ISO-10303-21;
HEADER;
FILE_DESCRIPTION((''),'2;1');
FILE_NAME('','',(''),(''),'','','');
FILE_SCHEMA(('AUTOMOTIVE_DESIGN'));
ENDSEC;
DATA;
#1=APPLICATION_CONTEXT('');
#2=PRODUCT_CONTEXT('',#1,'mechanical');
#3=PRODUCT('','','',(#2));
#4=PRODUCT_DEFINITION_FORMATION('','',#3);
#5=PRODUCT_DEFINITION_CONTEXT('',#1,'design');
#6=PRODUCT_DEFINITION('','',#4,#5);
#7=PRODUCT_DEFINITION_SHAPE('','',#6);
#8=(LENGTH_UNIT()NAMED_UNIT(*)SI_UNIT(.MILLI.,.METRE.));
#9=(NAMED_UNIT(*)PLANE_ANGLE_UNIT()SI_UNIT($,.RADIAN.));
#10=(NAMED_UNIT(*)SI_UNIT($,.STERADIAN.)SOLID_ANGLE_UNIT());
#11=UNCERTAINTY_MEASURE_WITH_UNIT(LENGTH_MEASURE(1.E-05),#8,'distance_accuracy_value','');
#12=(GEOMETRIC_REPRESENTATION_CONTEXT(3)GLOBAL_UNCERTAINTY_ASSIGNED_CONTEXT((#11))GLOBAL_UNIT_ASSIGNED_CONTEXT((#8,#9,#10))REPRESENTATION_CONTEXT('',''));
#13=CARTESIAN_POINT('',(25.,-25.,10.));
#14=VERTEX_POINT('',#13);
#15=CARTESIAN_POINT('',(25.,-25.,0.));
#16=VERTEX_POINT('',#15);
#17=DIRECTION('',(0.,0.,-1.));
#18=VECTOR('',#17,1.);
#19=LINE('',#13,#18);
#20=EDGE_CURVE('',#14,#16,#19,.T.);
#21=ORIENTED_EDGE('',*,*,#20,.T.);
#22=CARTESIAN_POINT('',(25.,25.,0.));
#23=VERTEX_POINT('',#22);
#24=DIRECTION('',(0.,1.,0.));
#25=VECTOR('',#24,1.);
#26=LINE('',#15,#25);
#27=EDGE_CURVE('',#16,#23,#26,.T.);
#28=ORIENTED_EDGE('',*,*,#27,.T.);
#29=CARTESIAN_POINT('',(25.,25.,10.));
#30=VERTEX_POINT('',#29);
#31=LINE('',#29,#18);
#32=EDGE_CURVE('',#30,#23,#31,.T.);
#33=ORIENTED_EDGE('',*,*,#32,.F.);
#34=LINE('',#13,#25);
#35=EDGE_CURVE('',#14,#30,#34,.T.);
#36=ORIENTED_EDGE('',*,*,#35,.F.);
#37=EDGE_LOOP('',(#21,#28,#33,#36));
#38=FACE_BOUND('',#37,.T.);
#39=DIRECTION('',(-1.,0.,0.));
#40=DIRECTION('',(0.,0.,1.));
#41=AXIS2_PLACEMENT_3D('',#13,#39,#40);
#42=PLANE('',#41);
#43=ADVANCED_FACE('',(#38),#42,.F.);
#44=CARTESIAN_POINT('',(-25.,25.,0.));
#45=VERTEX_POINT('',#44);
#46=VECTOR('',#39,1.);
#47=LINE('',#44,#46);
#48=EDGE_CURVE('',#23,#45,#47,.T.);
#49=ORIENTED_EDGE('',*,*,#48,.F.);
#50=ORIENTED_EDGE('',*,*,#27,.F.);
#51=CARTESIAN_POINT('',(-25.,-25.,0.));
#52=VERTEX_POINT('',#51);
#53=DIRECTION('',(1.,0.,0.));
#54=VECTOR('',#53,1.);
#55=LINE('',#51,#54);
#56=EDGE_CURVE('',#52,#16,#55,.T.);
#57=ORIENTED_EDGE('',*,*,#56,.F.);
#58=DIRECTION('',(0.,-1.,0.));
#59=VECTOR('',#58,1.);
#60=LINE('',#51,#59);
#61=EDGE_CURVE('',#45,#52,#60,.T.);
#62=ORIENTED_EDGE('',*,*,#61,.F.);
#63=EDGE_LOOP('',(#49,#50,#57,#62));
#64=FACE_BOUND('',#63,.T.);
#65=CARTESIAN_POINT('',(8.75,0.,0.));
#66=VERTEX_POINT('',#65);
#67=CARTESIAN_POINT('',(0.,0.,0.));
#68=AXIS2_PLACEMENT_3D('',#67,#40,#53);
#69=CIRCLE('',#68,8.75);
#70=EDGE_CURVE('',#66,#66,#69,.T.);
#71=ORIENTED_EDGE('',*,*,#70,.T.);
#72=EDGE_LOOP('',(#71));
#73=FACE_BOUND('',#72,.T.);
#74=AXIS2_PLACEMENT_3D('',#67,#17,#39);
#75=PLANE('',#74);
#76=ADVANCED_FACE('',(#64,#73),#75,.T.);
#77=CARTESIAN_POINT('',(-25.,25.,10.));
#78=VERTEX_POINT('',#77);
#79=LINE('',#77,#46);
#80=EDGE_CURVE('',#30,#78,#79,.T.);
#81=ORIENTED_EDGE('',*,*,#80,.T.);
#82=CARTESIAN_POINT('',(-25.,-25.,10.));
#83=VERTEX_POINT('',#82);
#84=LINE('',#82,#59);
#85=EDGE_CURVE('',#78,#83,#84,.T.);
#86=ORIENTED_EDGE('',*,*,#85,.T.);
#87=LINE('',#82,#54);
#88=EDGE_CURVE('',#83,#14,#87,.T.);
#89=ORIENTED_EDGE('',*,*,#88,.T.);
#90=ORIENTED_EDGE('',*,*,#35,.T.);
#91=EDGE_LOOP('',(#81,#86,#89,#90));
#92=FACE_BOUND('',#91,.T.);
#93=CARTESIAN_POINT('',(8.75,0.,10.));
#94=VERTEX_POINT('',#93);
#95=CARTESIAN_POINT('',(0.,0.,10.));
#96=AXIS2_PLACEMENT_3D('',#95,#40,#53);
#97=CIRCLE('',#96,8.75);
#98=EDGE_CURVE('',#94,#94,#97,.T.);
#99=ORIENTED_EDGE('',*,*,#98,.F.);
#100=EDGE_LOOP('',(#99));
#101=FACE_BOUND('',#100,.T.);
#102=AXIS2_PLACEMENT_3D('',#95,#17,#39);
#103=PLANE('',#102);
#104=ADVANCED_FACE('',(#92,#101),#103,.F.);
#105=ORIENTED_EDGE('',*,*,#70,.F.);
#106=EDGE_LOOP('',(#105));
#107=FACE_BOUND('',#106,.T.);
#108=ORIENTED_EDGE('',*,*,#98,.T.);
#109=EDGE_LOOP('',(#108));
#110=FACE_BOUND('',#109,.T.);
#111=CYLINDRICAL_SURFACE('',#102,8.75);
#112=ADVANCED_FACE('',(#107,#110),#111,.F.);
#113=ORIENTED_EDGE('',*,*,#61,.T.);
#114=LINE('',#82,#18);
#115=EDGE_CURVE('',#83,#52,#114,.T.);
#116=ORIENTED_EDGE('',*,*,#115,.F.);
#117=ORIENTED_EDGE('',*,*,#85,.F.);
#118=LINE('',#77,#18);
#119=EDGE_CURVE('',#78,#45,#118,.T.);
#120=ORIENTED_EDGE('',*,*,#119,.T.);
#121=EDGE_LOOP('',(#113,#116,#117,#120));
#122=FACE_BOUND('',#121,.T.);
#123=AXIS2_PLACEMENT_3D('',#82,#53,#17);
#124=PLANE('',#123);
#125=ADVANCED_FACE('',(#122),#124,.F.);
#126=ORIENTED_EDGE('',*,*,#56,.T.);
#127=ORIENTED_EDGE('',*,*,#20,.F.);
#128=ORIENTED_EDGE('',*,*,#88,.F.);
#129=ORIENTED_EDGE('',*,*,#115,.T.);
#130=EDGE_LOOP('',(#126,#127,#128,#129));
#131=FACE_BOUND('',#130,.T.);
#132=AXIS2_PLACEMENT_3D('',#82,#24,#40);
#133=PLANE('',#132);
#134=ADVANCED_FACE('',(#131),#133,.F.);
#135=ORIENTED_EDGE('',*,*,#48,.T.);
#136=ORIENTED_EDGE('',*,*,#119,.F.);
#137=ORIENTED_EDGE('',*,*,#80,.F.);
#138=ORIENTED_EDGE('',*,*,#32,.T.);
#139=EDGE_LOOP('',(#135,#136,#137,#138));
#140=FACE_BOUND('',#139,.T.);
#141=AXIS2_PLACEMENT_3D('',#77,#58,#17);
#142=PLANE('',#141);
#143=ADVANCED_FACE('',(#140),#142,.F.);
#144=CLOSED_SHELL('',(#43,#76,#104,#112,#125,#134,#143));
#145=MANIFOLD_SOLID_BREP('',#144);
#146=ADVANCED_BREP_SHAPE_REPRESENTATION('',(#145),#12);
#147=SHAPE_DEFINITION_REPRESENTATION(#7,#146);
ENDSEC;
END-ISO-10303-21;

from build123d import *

# Parameters (mm, degrees)
SKETCH_1_W      = 50
SKETCH_1_H      = 50
SKETCH_1_R      = 8.75
EXTRUDE_1_DEPTH = 10


with BuildPart() as part:
    # 草图1 → 凸台-拉伸1 (new body)
    with BuildSketch(Plane.XY):
        Rectangle(SKETCH_1_W, SKETCH_1_H)
        Circle(SKETCH_1_R, mode=Mode.SUBTRACT)
    extrude(amount=EXTRUDE_1_DEPTH)


solid = part.part
